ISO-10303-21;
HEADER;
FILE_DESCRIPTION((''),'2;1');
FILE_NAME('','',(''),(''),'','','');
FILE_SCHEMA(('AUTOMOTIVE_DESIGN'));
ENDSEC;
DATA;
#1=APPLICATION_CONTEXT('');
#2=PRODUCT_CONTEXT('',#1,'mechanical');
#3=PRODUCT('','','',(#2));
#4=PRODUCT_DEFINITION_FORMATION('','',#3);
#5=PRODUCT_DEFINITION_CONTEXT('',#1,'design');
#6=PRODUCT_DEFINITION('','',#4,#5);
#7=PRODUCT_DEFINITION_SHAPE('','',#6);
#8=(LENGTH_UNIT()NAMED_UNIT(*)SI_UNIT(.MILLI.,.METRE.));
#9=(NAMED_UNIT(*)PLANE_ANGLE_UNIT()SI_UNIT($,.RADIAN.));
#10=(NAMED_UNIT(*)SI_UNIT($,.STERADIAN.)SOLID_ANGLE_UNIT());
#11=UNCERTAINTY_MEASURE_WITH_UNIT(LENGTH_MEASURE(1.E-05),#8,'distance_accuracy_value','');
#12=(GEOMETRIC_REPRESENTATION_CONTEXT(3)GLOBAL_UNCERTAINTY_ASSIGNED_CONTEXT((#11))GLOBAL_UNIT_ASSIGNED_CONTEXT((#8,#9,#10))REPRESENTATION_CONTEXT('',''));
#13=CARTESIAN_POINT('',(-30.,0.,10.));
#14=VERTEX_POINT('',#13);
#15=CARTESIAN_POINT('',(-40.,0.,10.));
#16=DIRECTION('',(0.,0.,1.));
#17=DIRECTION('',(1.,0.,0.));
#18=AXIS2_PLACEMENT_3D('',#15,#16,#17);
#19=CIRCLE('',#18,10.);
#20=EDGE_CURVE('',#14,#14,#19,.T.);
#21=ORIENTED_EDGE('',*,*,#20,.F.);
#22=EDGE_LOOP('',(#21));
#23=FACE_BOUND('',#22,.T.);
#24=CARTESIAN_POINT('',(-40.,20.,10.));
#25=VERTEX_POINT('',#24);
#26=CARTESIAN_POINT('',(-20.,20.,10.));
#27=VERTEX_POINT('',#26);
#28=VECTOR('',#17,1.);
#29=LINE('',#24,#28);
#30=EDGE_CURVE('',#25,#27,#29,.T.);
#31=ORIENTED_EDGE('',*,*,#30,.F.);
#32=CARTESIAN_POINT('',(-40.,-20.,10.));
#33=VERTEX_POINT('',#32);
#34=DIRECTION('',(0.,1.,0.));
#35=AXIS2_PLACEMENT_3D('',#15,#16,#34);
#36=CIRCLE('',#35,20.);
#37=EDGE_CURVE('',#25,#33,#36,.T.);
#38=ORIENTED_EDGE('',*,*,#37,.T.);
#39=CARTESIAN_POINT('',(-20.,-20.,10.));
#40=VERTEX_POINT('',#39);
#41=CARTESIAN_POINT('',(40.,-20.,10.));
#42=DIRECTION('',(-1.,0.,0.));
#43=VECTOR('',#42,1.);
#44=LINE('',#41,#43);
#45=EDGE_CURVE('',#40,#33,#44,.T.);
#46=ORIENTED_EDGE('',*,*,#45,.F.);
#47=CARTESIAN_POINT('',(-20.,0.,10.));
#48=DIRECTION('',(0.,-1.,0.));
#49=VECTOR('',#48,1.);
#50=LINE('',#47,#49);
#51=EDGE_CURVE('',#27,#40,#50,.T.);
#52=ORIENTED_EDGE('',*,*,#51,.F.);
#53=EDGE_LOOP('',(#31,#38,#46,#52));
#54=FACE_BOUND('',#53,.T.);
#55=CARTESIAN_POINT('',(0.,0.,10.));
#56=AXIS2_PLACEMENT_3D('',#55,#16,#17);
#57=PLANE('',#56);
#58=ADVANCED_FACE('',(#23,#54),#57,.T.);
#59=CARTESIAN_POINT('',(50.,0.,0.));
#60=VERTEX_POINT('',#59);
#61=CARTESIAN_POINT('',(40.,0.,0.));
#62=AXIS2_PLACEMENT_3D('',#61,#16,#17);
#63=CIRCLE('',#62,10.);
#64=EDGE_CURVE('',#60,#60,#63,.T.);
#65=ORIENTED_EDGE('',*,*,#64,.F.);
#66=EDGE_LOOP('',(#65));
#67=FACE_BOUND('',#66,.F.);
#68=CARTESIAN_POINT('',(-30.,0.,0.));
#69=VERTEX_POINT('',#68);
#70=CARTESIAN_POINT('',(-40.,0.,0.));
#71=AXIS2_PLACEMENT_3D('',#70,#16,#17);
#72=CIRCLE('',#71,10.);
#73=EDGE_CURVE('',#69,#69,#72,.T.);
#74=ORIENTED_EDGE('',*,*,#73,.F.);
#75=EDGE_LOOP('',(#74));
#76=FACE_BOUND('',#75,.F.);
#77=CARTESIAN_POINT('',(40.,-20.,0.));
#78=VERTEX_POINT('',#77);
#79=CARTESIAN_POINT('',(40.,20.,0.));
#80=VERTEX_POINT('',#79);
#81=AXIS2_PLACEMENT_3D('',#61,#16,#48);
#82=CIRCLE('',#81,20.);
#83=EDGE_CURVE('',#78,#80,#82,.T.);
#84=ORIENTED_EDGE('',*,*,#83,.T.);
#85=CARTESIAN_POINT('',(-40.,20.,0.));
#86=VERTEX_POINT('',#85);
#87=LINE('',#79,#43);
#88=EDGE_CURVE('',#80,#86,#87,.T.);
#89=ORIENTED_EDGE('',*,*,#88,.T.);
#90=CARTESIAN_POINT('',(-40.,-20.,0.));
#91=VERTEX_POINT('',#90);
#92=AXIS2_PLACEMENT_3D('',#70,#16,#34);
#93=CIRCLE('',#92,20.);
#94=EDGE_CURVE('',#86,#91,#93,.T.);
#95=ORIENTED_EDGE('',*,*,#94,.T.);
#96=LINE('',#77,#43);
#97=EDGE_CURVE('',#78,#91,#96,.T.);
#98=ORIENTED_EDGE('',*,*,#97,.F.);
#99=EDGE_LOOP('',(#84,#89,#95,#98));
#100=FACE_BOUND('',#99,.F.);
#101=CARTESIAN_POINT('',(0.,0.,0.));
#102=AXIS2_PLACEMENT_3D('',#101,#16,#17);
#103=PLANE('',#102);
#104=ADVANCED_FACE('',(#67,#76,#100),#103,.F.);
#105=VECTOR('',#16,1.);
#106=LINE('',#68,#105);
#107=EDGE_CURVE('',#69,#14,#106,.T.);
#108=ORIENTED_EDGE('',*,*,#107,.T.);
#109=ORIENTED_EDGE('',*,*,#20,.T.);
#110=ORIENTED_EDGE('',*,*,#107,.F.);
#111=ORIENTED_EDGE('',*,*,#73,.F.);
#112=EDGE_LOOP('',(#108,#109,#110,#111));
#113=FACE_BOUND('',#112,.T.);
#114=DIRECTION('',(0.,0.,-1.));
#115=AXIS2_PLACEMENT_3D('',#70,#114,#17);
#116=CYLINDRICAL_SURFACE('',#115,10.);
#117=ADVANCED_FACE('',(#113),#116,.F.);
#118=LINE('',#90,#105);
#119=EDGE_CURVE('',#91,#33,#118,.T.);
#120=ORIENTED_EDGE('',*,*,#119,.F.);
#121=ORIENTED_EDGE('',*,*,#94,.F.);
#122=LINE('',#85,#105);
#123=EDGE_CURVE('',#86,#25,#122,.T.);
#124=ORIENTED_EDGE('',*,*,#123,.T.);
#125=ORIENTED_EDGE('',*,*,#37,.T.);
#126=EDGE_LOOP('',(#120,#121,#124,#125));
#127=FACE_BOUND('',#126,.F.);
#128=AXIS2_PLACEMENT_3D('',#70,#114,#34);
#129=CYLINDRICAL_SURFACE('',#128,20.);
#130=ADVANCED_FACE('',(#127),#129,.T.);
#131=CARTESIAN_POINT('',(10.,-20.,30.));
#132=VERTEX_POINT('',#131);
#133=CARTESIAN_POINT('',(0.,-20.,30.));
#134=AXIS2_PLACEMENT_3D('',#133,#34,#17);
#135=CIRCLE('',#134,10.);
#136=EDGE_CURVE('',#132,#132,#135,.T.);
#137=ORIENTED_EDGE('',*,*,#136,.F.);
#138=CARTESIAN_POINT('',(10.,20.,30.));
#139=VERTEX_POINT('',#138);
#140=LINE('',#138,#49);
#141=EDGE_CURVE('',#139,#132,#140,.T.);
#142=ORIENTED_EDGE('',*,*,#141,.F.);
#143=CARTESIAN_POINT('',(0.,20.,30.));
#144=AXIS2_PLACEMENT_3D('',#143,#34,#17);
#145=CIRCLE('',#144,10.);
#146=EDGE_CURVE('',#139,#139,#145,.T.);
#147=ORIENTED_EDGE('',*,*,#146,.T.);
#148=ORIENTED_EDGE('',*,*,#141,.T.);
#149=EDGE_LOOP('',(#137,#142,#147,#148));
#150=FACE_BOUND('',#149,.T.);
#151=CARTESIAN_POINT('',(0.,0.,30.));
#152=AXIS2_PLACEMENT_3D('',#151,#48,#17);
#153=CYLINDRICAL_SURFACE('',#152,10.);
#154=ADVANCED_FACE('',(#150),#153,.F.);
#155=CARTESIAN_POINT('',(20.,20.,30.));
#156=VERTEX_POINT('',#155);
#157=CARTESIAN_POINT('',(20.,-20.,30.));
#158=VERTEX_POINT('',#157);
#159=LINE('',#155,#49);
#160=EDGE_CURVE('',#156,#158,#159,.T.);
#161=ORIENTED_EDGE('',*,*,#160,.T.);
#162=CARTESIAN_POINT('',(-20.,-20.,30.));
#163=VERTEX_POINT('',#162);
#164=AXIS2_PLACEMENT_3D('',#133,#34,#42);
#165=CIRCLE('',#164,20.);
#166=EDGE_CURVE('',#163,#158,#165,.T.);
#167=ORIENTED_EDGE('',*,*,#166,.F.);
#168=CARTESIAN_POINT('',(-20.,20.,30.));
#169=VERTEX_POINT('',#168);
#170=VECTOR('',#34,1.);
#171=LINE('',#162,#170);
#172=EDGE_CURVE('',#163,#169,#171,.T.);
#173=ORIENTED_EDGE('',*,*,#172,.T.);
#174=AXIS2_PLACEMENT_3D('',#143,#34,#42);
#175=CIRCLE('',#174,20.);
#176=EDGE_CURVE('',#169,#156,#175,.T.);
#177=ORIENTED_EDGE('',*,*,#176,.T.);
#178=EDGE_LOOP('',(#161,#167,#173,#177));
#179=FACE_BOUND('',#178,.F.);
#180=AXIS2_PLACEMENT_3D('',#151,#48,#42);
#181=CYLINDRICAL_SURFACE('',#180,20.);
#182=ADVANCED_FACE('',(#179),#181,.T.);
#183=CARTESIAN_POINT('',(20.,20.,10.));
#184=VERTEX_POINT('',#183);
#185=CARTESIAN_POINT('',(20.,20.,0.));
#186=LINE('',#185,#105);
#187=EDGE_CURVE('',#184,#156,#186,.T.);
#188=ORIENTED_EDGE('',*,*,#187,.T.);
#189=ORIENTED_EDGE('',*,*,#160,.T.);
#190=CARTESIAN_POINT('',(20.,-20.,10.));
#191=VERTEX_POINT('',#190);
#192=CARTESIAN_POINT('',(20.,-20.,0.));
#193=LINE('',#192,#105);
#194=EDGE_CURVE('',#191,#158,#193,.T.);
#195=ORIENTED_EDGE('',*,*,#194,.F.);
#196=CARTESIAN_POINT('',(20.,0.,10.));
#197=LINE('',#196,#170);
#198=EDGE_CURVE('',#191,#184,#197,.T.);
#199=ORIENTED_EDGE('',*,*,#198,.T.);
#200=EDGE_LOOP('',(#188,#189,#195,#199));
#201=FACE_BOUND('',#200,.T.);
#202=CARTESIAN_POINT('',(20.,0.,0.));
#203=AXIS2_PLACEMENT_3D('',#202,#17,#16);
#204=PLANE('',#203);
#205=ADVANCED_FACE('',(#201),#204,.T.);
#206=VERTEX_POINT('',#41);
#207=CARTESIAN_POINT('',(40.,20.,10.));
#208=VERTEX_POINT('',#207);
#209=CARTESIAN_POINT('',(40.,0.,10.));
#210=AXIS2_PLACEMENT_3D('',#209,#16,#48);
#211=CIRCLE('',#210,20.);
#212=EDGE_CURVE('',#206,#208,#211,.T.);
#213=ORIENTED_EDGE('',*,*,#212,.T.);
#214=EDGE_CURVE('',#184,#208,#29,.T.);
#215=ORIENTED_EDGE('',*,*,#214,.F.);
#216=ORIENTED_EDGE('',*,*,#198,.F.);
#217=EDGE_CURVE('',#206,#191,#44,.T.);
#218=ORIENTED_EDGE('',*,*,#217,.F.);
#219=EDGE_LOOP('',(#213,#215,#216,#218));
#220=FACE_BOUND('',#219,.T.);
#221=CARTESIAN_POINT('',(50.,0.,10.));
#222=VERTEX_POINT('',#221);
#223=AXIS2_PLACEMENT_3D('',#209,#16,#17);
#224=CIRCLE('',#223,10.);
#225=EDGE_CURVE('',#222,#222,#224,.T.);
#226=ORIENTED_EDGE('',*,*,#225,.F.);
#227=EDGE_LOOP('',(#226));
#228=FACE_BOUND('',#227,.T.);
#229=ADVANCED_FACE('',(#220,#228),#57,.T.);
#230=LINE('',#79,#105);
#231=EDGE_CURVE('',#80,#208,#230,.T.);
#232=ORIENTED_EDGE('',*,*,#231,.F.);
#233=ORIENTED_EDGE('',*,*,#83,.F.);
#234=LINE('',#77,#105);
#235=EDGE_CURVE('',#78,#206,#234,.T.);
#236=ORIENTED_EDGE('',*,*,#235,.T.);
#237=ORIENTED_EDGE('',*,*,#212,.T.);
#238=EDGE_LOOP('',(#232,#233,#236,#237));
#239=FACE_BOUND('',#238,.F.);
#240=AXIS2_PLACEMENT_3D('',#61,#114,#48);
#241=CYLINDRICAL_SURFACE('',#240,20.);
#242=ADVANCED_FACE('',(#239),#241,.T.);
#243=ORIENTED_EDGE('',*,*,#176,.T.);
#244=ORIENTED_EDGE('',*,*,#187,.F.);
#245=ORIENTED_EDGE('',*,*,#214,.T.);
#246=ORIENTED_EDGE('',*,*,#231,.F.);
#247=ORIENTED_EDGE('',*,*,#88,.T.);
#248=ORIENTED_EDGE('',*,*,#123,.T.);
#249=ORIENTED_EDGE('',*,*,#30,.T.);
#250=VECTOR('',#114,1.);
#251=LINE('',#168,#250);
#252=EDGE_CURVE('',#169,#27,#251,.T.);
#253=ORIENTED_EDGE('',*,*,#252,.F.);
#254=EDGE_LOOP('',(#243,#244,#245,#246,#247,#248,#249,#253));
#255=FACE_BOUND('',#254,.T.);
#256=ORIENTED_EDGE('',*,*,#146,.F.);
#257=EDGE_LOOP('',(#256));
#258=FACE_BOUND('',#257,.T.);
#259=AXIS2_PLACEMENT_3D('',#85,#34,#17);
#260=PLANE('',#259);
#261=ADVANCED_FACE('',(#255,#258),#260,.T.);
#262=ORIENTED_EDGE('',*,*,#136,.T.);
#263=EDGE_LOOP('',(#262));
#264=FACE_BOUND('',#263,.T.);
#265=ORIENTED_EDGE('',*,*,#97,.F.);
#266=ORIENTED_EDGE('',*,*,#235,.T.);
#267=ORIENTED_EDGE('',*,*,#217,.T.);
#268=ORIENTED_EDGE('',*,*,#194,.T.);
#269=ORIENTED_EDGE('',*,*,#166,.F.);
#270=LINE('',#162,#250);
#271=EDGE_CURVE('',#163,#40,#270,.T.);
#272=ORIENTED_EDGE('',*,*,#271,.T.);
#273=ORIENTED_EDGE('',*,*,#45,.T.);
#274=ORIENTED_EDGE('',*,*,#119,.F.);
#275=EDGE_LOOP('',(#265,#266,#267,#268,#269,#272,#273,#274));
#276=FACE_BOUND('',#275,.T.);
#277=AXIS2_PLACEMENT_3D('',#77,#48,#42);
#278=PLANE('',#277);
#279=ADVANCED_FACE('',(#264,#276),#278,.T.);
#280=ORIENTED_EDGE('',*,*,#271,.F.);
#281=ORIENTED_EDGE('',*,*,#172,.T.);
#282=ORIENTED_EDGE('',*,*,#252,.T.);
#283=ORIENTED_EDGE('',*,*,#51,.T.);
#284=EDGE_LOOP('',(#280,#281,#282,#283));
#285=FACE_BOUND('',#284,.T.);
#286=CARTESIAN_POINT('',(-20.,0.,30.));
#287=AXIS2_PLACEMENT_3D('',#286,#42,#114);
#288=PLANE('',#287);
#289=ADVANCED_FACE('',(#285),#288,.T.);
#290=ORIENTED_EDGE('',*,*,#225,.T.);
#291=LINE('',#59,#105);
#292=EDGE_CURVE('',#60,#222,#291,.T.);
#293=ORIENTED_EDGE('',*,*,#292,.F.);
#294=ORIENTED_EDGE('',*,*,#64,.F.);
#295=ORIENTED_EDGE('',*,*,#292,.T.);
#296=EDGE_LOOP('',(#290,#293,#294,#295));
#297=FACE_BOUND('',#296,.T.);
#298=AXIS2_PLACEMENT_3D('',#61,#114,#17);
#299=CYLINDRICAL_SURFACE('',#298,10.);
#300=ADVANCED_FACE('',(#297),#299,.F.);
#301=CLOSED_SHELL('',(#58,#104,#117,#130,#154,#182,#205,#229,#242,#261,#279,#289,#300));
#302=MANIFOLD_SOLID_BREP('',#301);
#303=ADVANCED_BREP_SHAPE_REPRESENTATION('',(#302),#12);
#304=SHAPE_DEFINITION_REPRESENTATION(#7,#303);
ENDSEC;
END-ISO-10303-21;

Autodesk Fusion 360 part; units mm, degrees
sketch "horizontal part sketch" plane through (0, 0, 0) normal (0, 0, 1) x (1, 0, 0)
  line L0 (-40, 20) -> (40, 20)
  line L1 (40, -20) -> (-40, -20)
  circle A0 centre (40, 0) radius 10
  circle A1 centre (-40, 0) radius 10
  arc A2 (-40, 20) -> (-40, -20) centre (-40, 0) ccw
  arc A3 (40, -20) -> (40, 20) centre (40, 0) ccw
  dimension "d1" = 40
  dimension "d2" = 80
  dimension "d5" = 40
extrude "Extrude1" add sketch "horizontal part sketch" along normal blind 10 makes body 1
sketch "vertical part sketch" plane through (0, 0, 0) normal (0, 1, 0) x (1, 0, 0)
  line L0 (-20, 0) -> (20, 0)
  line L1 (20, 0) -> (20, -30)
  line L2 (-20, -30) -> (-20, 0)
  line L3 (-40, 0) -> (-40, -10)
  circle A0 centre (0, -30) radius 10
  arc A1 (-20, -30) -> (20, -30) centre (0, -30) ccw
  dimension "d10" = 40
  dimension "d11" = 30
  dimension "d12" = 20
  dimension "d14" = 20
extrude "Extrude2" add sketch "vertical part sketch" along normal mid plane 40 bodies 1
copy_body "Body->Comp1" bodies 1 removing the originals makes body 2 in component "object A4"
component "object A4" placed x (1, 0, 0) y (0, 1, 0) z (0, 0, 1) at (0, 0, 0)
